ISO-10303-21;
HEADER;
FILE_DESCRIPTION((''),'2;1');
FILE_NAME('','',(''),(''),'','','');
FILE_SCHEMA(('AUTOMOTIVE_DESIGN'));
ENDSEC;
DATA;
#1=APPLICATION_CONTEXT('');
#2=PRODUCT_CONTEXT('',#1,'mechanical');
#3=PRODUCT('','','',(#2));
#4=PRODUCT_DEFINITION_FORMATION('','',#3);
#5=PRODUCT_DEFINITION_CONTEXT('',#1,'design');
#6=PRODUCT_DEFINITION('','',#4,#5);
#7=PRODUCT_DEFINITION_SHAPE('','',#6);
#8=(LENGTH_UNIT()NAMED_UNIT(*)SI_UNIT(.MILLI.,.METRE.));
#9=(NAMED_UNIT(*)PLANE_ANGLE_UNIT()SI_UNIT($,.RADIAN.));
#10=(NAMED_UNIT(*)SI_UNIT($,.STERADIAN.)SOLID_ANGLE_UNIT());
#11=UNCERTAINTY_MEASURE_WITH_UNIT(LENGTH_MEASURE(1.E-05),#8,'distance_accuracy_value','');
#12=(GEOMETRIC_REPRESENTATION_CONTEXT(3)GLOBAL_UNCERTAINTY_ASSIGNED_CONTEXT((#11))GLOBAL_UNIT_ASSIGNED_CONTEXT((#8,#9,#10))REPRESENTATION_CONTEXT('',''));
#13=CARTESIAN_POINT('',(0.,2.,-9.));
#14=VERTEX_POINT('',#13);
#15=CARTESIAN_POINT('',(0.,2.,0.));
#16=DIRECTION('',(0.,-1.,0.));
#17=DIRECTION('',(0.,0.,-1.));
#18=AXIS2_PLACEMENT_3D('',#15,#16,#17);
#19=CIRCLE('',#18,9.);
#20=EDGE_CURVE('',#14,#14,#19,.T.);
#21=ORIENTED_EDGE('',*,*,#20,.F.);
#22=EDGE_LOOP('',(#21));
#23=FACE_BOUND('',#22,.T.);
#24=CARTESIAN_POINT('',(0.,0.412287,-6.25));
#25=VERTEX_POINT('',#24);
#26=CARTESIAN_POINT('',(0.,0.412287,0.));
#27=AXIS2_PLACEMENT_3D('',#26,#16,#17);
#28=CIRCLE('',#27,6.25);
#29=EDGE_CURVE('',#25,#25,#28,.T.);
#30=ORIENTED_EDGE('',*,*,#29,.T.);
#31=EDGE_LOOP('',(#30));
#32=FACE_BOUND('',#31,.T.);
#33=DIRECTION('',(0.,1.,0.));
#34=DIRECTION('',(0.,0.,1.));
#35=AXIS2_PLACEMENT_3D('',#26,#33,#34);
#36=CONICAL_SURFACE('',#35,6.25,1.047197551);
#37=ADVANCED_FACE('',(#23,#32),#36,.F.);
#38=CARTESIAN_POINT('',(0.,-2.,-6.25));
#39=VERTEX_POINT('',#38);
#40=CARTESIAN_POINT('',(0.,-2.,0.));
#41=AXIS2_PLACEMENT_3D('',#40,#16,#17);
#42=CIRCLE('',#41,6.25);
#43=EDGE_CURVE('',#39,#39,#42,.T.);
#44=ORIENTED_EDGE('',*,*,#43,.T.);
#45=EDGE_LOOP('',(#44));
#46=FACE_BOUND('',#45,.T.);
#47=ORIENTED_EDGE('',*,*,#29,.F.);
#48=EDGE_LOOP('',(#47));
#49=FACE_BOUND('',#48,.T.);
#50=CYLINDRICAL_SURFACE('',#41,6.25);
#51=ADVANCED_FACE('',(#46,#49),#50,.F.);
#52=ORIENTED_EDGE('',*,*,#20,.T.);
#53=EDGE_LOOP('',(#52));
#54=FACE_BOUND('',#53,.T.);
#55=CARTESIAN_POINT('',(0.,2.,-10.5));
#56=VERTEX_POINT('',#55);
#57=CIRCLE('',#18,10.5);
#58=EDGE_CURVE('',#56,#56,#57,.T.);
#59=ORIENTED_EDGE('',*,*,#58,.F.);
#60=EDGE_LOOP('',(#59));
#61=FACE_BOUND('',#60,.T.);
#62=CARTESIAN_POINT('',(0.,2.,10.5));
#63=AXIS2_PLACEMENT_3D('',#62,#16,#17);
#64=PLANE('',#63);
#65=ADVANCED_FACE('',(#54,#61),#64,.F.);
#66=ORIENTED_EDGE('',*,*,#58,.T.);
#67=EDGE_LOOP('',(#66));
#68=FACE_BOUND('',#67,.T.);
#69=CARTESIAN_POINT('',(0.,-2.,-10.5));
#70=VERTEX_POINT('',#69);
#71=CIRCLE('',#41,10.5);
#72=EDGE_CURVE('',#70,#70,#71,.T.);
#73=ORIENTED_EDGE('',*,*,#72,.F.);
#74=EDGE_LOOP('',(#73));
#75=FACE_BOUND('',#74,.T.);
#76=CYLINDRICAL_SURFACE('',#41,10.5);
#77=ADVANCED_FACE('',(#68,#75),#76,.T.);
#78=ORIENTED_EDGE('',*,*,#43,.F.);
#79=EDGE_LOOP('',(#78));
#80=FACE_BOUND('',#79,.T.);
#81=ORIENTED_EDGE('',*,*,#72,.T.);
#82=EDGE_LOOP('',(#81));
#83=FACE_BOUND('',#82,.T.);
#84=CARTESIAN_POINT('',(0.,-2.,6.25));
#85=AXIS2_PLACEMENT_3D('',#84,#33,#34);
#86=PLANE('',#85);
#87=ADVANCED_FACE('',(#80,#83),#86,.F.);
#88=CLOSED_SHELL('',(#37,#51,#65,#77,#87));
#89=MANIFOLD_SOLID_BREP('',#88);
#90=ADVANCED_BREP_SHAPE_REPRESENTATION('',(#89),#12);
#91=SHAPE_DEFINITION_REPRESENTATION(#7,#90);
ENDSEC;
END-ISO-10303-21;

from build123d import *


with BuildPart() as part:
    # 草图2 → 旋转1 (revolve)
    with BuildSketch(Plane(origin=(0, 0, 0), x_dir=(0, 0, -1), z_dir=(1, 0, 0)), mode=Mode.PRIVATE) as revolve_1_sk:
        Polygon((-10.5, 2), (-9, 2), (-6.25, 0.41228676), (-6.25, -2), (-10.5, -2), align=None)
    revolve(revolve_1_sk.sketch.rotate(Axis((0, -2, 0), (0, 1, 0)), 180), axis=Axis((0, -2, 0), (0, 1, 0)))


solid = part.part
